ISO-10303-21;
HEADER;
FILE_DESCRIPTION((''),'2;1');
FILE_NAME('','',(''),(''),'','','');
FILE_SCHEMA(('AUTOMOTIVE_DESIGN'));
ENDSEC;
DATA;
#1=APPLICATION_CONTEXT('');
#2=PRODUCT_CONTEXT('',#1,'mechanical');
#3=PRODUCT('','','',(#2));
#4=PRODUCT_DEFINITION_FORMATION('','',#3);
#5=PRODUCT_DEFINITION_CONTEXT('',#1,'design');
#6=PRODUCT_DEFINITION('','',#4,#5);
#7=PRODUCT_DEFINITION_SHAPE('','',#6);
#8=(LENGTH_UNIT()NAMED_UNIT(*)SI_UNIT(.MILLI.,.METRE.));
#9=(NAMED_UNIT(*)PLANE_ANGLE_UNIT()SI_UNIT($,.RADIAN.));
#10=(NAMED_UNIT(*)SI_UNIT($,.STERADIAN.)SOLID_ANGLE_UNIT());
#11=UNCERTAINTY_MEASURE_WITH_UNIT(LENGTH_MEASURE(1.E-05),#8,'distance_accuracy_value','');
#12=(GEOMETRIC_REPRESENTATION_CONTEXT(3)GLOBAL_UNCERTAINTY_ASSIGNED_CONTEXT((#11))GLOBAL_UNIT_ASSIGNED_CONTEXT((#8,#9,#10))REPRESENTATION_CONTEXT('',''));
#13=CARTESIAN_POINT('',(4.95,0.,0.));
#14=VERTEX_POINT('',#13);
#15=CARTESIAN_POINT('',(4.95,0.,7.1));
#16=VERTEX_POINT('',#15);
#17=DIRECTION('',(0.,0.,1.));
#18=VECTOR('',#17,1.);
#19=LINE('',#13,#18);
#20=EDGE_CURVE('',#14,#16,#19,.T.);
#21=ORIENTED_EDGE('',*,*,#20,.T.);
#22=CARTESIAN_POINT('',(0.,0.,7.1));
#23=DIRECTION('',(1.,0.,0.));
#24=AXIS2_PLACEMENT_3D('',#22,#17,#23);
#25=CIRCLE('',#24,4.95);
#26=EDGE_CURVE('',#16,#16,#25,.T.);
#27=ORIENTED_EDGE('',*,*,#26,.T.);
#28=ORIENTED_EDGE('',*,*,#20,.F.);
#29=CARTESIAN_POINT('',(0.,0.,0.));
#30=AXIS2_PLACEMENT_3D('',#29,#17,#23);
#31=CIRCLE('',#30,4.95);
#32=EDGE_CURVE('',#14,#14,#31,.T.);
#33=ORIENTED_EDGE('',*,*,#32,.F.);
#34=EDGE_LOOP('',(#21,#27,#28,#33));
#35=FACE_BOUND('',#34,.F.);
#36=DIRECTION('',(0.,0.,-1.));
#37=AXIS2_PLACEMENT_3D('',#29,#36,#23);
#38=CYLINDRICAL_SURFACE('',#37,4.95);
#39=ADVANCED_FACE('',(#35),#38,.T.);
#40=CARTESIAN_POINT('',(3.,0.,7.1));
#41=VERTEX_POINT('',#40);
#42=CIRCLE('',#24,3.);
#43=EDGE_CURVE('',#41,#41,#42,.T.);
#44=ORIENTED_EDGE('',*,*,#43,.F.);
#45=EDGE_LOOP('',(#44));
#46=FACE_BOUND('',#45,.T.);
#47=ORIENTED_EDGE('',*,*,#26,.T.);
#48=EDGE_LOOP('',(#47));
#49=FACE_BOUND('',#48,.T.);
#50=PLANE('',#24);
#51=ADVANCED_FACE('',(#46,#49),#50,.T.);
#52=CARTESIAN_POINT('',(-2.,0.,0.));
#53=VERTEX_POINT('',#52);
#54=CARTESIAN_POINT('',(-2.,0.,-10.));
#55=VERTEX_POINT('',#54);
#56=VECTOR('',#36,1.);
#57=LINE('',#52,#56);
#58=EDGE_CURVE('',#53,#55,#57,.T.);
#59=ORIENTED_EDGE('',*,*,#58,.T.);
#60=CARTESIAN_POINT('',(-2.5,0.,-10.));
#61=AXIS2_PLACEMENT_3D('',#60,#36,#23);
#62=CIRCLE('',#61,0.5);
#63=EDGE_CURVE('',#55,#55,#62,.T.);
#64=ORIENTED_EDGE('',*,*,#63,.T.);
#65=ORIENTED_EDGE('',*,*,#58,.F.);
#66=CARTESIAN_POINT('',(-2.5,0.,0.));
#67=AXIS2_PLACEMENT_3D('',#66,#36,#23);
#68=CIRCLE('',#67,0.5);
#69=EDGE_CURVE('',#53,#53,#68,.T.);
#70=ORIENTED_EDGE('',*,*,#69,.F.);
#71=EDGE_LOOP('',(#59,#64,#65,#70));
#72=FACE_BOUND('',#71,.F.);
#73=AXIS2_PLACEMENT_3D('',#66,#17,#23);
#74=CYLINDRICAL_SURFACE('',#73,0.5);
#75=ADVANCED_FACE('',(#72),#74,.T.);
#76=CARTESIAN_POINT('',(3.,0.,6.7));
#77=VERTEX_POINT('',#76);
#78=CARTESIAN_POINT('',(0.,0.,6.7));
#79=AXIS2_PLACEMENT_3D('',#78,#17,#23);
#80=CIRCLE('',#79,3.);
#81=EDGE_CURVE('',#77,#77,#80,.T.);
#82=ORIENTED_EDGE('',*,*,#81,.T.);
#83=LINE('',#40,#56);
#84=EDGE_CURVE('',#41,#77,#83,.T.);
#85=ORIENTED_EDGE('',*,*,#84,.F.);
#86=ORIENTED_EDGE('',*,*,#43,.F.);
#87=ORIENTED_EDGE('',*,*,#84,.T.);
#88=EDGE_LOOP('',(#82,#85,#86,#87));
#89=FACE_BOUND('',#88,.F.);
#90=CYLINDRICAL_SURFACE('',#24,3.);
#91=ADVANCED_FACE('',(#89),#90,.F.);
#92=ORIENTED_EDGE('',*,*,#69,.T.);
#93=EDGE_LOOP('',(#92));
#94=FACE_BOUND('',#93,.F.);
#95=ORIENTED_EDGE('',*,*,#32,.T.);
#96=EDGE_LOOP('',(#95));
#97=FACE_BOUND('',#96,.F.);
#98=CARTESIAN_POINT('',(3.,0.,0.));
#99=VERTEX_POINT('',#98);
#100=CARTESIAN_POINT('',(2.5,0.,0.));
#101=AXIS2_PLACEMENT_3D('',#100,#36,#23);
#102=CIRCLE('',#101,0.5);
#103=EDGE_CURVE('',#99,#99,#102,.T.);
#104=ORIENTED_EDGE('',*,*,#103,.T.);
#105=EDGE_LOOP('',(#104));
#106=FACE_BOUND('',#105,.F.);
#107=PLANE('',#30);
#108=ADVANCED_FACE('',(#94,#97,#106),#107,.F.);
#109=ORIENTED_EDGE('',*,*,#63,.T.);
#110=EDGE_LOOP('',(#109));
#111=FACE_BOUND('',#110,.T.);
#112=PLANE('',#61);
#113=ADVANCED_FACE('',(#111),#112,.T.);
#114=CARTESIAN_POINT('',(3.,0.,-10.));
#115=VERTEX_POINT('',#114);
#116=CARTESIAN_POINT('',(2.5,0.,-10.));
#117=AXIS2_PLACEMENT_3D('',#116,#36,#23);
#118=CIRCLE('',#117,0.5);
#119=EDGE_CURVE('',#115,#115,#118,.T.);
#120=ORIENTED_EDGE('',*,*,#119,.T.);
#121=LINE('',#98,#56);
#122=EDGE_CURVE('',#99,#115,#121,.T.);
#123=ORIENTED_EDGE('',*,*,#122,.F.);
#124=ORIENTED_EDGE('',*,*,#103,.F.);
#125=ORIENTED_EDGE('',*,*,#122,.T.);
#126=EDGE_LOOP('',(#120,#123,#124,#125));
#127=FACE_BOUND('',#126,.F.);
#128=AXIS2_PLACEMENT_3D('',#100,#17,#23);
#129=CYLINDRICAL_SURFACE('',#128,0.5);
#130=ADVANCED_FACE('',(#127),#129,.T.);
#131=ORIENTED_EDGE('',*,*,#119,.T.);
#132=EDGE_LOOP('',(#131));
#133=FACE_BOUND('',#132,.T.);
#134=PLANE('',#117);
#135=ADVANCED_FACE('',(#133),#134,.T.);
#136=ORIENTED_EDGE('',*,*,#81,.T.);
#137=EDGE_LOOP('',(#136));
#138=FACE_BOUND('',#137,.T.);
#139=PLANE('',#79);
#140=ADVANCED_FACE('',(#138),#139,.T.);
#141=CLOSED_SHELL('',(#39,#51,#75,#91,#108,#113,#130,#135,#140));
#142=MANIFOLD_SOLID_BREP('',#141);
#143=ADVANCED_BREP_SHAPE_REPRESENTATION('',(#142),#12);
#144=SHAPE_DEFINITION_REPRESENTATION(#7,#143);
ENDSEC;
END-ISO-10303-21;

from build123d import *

# Parameters (mm, degrees)
SKETCH_R     = 4.95
PAD_DEPTH    = 7.1
SKETCH001_R  = 0.5
PAD001_DEPTH = 10
SKETCH002_R  = 3
POCKET_DEPTH = 0.4


with BuildPart() as part:
    # Sketch → Pad (new body)
    with BuildSketch(Plane.XY):
        Circle(SKETCH_R)
    extrude(amount=PAD_DEPTH)

    # Sketch001 → Pad001 (new body)
    with BuildSketch(Plane(origin=(0, 0, 0), x_dir=(1, 0, 0), z_dir=(0, 0, -1))):
        with Locations((2.5, 0)):
            Circle(SKETCH001_R)
        with Locations((-2.5, 0)):
            Circle(SKETCH001_R)
    extrude(amount=PAD001_DEPTH)

    # Sketch002 → Pocket (cut)
    with BuildSketch(Plane.XY.offset(7.1)):
        Circle(SKETCH002_R)
    extrude(amount=-POCKET_DEPTH, mode=Mode.SUBTRACT)


solid = part.part
